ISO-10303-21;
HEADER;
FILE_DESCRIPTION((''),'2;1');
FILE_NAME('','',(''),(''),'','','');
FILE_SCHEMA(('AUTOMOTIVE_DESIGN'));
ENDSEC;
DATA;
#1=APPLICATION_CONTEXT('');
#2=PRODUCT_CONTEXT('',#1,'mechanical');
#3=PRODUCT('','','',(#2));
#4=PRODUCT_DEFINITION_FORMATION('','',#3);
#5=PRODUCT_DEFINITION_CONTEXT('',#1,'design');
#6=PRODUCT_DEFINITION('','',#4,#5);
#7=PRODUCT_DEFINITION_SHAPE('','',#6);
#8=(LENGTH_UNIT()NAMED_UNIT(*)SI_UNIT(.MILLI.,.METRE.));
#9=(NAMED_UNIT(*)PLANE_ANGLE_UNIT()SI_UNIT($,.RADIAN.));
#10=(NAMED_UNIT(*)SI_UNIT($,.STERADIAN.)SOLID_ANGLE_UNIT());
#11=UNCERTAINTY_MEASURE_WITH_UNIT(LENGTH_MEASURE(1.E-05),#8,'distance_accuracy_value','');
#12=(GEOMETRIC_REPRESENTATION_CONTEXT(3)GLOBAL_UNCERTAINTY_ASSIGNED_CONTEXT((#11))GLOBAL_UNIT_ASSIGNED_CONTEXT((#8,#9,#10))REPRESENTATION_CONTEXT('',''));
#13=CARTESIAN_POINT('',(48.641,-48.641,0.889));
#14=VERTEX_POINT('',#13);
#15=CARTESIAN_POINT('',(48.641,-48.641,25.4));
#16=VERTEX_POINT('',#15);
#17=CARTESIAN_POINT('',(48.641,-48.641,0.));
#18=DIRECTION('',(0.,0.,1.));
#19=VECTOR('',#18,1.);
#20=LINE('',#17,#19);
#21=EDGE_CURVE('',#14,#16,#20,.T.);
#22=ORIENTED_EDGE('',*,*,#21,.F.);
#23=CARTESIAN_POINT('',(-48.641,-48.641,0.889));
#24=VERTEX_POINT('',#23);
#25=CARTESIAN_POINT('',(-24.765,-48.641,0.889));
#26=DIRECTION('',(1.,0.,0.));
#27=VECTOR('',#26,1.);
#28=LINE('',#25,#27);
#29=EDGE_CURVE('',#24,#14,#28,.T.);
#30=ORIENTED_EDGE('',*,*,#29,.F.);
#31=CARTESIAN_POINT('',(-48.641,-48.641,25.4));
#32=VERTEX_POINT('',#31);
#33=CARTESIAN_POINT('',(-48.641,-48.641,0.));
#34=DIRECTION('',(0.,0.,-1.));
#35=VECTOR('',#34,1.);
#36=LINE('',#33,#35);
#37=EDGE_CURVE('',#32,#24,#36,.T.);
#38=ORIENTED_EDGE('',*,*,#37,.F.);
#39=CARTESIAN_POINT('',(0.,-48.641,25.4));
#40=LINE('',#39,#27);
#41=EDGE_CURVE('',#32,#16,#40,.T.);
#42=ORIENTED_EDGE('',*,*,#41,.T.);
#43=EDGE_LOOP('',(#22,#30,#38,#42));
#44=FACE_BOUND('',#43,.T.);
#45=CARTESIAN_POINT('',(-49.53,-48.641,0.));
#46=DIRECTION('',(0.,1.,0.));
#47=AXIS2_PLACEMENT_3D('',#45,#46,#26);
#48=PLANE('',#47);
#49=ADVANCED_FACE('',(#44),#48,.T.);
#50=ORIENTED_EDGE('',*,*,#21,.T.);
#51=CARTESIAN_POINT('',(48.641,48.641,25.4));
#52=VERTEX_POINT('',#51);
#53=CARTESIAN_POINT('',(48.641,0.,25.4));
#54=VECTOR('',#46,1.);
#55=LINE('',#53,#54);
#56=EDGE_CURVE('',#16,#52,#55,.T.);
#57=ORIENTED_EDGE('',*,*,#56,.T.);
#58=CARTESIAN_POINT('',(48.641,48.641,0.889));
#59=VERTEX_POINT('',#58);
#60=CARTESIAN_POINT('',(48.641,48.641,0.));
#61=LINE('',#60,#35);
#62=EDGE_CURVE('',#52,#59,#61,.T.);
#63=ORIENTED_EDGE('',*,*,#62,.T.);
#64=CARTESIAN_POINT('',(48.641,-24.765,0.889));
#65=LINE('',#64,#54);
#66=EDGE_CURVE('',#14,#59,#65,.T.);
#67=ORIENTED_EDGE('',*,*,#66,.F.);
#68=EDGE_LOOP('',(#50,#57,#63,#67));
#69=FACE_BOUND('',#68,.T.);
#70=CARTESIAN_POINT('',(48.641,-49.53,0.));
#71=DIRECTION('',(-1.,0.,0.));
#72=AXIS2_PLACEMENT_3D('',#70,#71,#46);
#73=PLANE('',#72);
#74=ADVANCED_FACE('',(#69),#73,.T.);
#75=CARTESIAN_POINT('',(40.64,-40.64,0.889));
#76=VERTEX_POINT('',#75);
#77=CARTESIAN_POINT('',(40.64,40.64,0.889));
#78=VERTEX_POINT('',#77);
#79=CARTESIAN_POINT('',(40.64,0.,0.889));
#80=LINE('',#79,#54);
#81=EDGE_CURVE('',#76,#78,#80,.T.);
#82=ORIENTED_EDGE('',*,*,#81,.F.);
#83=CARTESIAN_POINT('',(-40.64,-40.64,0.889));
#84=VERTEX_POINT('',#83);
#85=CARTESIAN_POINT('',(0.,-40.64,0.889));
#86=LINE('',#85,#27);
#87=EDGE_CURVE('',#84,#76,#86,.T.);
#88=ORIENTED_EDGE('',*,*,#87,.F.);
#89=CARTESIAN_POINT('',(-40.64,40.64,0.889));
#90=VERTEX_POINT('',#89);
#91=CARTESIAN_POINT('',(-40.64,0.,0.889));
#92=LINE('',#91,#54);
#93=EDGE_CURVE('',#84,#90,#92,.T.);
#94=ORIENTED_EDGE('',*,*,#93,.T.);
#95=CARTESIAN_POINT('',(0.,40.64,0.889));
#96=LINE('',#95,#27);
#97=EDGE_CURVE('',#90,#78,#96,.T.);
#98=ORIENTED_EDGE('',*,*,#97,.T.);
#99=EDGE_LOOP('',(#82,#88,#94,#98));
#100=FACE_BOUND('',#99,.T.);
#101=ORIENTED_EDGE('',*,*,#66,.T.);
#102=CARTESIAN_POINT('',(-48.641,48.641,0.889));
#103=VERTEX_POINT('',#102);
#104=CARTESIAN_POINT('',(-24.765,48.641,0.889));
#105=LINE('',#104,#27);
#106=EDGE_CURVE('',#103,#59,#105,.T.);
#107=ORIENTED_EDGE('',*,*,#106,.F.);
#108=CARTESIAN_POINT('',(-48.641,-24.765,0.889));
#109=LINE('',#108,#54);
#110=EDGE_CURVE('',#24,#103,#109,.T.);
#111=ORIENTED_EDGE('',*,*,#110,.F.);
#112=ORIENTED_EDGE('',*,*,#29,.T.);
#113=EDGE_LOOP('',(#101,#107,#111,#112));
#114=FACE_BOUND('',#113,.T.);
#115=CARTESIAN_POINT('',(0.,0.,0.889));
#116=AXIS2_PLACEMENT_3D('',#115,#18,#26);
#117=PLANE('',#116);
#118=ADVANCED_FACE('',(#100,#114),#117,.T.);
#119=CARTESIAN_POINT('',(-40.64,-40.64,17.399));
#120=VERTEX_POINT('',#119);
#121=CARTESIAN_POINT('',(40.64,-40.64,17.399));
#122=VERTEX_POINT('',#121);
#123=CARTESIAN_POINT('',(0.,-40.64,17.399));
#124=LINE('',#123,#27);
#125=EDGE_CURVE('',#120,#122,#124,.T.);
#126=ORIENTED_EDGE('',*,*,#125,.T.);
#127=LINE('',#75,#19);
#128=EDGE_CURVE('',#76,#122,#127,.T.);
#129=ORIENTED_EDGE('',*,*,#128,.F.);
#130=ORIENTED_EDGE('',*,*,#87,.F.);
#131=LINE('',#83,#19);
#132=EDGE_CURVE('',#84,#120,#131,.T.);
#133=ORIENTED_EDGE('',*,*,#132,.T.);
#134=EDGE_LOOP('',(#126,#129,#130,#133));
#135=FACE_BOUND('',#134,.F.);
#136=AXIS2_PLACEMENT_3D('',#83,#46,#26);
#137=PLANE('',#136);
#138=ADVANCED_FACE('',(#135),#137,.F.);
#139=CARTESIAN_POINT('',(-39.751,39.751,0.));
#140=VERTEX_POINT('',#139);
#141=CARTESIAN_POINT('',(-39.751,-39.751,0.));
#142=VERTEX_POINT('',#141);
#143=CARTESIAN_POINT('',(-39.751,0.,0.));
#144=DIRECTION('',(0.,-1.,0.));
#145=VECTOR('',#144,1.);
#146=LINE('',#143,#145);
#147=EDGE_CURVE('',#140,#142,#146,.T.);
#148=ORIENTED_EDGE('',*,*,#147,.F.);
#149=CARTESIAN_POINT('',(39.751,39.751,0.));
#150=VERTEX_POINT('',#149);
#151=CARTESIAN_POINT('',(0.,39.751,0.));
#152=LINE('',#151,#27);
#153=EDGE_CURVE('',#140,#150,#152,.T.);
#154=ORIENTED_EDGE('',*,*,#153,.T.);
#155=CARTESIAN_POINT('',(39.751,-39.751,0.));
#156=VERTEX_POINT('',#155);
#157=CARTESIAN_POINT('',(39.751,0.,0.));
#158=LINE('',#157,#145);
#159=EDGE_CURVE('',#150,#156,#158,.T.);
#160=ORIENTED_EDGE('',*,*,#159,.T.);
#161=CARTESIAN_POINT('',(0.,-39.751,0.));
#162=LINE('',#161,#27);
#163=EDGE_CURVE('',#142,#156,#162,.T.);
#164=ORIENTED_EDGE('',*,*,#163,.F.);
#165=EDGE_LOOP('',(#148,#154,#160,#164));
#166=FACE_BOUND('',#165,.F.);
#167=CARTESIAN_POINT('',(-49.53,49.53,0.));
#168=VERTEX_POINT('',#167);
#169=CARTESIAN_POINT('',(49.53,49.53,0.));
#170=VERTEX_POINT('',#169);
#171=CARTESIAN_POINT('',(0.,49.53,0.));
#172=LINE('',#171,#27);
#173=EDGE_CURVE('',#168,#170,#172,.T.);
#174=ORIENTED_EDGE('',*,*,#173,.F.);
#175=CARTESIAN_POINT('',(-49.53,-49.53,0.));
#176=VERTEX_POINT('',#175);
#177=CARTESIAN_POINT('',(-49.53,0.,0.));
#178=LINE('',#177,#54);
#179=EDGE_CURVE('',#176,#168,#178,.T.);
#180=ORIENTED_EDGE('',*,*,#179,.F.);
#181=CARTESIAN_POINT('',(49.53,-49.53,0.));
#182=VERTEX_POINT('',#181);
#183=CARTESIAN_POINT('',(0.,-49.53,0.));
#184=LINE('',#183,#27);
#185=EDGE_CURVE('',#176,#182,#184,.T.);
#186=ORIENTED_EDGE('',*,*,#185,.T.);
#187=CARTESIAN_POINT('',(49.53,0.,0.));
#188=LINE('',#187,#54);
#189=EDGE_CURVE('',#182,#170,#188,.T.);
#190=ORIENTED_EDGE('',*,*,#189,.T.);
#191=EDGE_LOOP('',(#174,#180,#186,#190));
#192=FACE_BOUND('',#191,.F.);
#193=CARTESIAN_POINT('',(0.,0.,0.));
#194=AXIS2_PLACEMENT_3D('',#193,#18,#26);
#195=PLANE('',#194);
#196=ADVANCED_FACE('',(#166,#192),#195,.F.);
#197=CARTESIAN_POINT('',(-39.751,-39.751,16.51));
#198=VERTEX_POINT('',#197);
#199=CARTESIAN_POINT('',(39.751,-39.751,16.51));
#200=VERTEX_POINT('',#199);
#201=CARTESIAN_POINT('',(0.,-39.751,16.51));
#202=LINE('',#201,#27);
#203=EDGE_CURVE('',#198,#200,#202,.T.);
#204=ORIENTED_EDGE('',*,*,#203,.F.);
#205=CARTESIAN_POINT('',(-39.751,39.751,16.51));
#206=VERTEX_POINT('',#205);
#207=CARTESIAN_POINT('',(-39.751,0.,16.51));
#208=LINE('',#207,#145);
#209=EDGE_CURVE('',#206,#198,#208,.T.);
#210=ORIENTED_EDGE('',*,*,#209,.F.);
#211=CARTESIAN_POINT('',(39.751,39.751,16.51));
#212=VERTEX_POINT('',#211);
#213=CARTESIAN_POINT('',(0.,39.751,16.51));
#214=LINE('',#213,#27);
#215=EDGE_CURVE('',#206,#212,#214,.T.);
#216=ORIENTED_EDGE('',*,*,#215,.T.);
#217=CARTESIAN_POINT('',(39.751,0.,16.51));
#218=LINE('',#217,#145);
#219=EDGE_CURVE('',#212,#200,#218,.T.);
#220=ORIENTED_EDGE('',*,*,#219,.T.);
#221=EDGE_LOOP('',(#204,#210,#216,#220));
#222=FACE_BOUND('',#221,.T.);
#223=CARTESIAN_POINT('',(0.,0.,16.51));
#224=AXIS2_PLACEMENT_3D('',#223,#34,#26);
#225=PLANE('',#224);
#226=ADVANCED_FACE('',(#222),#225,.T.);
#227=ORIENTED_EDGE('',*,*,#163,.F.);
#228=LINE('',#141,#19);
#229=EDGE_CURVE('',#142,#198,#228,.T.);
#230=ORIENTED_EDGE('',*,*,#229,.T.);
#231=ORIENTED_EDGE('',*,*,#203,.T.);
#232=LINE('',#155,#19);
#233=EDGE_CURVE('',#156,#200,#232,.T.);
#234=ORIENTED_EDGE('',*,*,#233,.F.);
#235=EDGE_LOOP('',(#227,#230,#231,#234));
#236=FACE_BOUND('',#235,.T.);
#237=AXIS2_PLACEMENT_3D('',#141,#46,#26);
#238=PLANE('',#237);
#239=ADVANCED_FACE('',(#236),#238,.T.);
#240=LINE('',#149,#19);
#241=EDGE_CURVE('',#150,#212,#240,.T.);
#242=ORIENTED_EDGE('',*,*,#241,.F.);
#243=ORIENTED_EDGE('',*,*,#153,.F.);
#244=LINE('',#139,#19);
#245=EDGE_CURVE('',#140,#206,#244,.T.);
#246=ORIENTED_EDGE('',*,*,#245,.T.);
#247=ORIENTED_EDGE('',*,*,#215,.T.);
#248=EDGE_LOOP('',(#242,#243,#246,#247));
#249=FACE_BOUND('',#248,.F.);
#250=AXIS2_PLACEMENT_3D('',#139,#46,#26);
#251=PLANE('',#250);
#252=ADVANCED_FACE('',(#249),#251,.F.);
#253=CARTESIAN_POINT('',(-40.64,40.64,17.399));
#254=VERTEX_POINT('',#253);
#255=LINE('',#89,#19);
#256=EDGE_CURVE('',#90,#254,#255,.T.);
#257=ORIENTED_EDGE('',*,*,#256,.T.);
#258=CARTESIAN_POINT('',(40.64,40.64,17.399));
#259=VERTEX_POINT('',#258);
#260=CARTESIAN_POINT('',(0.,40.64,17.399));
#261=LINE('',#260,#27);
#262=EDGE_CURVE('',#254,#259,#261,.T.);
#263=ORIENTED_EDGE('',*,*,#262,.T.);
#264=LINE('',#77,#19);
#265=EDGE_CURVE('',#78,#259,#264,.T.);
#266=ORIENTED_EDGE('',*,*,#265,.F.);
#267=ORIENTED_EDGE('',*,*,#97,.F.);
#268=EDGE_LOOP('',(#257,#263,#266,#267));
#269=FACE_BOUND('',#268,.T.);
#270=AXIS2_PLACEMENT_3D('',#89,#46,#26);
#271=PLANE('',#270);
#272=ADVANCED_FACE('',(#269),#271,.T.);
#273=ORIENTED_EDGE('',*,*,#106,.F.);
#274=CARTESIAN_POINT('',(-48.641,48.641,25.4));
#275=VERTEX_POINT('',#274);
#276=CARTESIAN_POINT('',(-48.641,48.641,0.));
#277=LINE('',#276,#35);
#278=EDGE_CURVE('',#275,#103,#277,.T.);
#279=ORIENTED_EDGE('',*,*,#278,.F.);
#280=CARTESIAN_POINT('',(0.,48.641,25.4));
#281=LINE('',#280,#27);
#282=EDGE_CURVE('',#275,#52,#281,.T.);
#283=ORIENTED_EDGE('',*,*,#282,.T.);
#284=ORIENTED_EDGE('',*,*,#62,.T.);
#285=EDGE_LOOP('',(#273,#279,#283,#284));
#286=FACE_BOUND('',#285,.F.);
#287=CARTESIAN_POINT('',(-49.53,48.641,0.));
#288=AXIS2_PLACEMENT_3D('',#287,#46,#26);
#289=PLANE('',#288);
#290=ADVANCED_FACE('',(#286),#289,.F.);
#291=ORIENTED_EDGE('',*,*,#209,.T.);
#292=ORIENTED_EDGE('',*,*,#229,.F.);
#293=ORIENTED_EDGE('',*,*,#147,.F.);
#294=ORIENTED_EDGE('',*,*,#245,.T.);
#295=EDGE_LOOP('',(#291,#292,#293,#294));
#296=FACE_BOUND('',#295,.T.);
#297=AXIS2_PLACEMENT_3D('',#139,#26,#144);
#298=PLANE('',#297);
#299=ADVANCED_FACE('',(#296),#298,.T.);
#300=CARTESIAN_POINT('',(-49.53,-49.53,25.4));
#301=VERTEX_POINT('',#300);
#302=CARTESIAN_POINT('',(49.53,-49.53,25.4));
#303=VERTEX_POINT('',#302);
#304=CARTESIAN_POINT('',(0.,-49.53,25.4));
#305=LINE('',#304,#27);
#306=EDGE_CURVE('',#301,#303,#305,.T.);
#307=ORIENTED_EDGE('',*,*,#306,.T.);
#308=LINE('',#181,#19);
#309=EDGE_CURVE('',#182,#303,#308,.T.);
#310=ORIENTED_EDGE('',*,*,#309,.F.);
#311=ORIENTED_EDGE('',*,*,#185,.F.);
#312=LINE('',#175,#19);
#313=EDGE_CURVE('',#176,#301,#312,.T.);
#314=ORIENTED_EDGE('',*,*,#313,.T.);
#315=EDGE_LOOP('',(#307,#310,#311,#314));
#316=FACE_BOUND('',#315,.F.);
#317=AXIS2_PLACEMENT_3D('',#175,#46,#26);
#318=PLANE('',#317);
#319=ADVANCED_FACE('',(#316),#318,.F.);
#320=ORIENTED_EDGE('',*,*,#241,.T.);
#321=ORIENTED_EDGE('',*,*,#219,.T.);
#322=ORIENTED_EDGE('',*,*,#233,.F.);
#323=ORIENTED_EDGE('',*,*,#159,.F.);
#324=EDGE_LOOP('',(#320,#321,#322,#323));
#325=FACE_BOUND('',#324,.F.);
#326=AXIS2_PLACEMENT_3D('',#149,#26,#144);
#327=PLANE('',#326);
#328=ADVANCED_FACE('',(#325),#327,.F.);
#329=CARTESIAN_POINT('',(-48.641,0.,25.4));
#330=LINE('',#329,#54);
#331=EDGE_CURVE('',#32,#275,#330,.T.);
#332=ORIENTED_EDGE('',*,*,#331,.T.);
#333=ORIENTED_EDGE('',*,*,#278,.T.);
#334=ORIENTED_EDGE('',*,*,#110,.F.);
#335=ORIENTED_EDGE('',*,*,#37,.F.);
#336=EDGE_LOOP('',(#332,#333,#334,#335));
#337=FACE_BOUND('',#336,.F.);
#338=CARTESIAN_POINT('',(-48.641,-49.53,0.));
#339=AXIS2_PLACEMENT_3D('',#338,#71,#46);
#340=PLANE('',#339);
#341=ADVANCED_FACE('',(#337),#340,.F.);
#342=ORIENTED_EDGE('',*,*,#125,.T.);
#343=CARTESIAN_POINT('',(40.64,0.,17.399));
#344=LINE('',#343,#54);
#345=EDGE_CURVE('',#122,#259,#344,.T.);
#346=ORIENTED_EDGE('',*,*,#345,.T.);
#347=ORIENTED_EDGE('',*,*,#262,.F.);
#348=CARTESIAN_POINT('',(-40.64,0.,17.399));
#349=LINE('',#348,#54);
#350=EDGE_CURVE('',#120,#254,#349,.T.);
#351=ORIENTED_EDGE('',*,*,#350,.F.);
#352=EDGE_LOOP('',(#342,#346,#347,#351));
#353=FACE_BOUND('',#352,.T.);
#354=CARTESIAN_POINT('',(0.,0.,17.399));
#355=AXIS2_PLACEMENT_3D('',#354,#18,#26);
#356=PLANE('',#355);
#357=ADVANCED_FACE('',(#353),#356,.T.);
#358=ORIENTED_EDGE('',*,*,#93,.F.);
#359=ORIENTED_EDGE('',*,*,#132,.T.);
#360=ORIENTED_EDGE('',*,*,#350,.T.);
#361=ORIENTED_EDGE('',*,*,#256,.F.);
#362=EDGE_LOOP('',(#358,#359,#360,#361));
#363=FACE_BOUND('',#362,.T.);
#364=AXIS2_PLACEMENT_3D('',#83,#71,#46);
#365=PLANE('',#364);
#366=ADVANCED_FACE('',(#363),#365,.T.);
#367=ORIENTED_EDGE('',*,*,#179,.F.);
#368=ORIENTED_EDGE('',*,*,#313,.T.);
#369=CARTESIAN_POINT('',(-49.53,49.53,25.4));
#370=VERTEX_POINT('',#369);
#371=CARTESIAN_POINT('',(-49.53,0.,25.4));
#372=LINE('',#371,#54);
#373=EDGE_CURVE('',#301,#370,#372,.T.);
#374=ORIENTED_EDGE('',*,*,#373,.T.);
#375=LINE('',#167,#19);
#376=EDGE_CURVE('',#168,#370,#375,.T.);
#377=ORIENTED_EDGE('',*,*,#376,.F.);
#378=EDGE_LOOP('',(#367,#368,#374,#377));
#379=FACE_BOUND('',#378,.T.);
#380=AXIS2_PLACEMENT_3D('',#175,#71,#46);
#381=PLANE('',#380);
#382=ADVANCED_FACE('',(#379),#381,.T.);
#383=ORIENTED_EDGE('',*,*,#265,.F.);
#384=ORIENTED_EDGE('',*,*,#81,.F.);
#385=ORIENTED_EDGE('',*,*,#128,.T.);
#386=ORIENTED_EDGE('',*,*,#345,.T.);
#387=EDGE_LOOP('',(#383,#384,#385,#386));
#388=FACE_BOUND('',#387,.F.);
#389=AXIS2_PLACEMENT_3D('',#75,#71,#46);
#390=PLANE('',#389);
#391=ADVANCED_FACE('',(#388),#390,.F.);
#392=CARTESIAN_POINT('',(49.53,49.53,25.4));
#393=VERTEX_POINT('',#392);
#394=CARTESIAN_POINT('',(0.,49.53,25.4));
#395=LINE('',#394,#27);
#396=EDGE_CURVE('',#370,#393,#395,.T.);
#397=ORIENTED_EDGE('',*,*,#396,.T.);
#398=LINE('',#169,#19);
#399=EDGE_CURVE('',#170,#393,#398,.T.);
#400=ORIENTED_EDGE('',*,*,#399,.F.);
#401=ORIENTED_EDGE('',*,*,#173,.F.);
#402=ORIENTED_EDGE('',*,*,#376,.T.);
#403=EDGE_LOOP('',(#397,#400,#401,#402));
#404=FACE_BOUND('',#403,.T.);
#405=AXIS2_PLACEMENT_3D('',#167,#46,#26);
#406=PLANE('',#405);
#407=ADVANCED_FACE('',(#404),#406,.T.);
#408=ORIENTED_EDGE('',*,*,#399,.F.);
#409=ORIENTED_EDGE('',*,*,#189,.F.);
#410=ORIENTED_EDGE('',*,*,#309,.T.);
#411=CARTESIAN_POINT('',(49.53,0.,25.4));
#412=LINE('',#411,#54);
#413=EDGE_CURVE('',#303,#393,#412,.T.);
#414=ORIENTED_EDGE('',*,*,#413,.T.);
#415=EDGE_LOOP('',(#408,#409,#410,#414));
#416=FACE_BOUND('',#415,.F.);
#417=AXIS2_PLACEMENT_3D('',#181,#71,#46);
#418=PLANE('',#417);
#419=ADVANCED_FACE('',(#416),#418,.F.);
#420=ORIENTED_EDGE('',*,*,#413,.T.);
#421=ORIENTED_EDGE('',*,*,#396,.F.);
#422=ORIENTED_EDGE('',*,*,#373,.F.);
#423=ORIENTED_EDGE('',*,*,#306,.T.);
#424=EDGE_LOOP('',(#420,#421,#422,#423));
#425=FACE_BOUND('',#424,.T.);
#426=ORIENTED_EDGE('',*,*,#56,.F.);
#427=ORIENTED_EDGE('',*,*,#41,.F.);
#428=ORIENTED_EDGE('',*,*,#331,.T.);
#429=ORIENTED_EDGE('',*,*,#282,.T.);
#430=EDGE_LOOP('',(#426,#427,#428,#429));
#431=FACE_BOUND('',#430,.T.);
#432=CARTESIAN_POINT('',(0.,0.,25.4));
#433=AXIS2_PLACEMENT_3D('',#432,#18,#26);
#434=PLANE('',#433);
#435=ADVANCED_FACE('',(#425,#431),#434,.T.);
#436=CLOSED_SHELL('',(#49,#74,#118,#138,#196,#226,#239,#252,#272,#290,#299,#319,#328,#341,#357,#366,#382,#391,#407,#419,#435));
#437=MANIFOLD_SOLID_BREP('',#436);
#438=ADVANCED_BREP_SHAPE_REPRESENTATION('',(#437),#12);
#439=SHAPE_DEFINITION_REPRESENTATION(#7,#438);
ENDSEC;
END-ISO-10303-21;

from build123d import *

# Parameters (mm, degrees)
F0_W     = 99.06
F0_H     = 99.06
F1_DEPTH = 25.4
F2_T     = -0.889
F3_W     = 81.28
F3_H     = 81.28
F4_DEPTH = 16.51
F5_W     = 79.502
F5_H     = 79.502
F6_DEPTH = 16.51


with BuildPart() as f1:
    # F0 (on Top) → F1 (new body)
    with BuildSketch(Plane.XY):
        Rectangle(F0_W, F0_H)
    extrude(amount=F1_DEPTH)

    # F2
    f2_openings = [f1.faces().sort_by_distance(p)[0] for p in [
        (0, 0, 25.4),
    ]]
    offset(amount=F2_T, openings=f2_openings)

    # F3 (on face) → F4 (join)
    with BuildSketch(Plane.XY.offset(0.889)):
        Rectangle(F3_W, F3_H)
    extrude(amount=F4_DEPTH)

    # F5 (on face) → F6 (cut)
    with BuildSketch(Plane(origin=(0, 0, 0), x_dir=(1, 0, 0), z_dir=(0, 0, -1))):
        Rectangle(F5_W, F5_H)
    extrude(amount=-F6_DEPTH, mode=Mode.SUBTRACT)


solid = f1.part
